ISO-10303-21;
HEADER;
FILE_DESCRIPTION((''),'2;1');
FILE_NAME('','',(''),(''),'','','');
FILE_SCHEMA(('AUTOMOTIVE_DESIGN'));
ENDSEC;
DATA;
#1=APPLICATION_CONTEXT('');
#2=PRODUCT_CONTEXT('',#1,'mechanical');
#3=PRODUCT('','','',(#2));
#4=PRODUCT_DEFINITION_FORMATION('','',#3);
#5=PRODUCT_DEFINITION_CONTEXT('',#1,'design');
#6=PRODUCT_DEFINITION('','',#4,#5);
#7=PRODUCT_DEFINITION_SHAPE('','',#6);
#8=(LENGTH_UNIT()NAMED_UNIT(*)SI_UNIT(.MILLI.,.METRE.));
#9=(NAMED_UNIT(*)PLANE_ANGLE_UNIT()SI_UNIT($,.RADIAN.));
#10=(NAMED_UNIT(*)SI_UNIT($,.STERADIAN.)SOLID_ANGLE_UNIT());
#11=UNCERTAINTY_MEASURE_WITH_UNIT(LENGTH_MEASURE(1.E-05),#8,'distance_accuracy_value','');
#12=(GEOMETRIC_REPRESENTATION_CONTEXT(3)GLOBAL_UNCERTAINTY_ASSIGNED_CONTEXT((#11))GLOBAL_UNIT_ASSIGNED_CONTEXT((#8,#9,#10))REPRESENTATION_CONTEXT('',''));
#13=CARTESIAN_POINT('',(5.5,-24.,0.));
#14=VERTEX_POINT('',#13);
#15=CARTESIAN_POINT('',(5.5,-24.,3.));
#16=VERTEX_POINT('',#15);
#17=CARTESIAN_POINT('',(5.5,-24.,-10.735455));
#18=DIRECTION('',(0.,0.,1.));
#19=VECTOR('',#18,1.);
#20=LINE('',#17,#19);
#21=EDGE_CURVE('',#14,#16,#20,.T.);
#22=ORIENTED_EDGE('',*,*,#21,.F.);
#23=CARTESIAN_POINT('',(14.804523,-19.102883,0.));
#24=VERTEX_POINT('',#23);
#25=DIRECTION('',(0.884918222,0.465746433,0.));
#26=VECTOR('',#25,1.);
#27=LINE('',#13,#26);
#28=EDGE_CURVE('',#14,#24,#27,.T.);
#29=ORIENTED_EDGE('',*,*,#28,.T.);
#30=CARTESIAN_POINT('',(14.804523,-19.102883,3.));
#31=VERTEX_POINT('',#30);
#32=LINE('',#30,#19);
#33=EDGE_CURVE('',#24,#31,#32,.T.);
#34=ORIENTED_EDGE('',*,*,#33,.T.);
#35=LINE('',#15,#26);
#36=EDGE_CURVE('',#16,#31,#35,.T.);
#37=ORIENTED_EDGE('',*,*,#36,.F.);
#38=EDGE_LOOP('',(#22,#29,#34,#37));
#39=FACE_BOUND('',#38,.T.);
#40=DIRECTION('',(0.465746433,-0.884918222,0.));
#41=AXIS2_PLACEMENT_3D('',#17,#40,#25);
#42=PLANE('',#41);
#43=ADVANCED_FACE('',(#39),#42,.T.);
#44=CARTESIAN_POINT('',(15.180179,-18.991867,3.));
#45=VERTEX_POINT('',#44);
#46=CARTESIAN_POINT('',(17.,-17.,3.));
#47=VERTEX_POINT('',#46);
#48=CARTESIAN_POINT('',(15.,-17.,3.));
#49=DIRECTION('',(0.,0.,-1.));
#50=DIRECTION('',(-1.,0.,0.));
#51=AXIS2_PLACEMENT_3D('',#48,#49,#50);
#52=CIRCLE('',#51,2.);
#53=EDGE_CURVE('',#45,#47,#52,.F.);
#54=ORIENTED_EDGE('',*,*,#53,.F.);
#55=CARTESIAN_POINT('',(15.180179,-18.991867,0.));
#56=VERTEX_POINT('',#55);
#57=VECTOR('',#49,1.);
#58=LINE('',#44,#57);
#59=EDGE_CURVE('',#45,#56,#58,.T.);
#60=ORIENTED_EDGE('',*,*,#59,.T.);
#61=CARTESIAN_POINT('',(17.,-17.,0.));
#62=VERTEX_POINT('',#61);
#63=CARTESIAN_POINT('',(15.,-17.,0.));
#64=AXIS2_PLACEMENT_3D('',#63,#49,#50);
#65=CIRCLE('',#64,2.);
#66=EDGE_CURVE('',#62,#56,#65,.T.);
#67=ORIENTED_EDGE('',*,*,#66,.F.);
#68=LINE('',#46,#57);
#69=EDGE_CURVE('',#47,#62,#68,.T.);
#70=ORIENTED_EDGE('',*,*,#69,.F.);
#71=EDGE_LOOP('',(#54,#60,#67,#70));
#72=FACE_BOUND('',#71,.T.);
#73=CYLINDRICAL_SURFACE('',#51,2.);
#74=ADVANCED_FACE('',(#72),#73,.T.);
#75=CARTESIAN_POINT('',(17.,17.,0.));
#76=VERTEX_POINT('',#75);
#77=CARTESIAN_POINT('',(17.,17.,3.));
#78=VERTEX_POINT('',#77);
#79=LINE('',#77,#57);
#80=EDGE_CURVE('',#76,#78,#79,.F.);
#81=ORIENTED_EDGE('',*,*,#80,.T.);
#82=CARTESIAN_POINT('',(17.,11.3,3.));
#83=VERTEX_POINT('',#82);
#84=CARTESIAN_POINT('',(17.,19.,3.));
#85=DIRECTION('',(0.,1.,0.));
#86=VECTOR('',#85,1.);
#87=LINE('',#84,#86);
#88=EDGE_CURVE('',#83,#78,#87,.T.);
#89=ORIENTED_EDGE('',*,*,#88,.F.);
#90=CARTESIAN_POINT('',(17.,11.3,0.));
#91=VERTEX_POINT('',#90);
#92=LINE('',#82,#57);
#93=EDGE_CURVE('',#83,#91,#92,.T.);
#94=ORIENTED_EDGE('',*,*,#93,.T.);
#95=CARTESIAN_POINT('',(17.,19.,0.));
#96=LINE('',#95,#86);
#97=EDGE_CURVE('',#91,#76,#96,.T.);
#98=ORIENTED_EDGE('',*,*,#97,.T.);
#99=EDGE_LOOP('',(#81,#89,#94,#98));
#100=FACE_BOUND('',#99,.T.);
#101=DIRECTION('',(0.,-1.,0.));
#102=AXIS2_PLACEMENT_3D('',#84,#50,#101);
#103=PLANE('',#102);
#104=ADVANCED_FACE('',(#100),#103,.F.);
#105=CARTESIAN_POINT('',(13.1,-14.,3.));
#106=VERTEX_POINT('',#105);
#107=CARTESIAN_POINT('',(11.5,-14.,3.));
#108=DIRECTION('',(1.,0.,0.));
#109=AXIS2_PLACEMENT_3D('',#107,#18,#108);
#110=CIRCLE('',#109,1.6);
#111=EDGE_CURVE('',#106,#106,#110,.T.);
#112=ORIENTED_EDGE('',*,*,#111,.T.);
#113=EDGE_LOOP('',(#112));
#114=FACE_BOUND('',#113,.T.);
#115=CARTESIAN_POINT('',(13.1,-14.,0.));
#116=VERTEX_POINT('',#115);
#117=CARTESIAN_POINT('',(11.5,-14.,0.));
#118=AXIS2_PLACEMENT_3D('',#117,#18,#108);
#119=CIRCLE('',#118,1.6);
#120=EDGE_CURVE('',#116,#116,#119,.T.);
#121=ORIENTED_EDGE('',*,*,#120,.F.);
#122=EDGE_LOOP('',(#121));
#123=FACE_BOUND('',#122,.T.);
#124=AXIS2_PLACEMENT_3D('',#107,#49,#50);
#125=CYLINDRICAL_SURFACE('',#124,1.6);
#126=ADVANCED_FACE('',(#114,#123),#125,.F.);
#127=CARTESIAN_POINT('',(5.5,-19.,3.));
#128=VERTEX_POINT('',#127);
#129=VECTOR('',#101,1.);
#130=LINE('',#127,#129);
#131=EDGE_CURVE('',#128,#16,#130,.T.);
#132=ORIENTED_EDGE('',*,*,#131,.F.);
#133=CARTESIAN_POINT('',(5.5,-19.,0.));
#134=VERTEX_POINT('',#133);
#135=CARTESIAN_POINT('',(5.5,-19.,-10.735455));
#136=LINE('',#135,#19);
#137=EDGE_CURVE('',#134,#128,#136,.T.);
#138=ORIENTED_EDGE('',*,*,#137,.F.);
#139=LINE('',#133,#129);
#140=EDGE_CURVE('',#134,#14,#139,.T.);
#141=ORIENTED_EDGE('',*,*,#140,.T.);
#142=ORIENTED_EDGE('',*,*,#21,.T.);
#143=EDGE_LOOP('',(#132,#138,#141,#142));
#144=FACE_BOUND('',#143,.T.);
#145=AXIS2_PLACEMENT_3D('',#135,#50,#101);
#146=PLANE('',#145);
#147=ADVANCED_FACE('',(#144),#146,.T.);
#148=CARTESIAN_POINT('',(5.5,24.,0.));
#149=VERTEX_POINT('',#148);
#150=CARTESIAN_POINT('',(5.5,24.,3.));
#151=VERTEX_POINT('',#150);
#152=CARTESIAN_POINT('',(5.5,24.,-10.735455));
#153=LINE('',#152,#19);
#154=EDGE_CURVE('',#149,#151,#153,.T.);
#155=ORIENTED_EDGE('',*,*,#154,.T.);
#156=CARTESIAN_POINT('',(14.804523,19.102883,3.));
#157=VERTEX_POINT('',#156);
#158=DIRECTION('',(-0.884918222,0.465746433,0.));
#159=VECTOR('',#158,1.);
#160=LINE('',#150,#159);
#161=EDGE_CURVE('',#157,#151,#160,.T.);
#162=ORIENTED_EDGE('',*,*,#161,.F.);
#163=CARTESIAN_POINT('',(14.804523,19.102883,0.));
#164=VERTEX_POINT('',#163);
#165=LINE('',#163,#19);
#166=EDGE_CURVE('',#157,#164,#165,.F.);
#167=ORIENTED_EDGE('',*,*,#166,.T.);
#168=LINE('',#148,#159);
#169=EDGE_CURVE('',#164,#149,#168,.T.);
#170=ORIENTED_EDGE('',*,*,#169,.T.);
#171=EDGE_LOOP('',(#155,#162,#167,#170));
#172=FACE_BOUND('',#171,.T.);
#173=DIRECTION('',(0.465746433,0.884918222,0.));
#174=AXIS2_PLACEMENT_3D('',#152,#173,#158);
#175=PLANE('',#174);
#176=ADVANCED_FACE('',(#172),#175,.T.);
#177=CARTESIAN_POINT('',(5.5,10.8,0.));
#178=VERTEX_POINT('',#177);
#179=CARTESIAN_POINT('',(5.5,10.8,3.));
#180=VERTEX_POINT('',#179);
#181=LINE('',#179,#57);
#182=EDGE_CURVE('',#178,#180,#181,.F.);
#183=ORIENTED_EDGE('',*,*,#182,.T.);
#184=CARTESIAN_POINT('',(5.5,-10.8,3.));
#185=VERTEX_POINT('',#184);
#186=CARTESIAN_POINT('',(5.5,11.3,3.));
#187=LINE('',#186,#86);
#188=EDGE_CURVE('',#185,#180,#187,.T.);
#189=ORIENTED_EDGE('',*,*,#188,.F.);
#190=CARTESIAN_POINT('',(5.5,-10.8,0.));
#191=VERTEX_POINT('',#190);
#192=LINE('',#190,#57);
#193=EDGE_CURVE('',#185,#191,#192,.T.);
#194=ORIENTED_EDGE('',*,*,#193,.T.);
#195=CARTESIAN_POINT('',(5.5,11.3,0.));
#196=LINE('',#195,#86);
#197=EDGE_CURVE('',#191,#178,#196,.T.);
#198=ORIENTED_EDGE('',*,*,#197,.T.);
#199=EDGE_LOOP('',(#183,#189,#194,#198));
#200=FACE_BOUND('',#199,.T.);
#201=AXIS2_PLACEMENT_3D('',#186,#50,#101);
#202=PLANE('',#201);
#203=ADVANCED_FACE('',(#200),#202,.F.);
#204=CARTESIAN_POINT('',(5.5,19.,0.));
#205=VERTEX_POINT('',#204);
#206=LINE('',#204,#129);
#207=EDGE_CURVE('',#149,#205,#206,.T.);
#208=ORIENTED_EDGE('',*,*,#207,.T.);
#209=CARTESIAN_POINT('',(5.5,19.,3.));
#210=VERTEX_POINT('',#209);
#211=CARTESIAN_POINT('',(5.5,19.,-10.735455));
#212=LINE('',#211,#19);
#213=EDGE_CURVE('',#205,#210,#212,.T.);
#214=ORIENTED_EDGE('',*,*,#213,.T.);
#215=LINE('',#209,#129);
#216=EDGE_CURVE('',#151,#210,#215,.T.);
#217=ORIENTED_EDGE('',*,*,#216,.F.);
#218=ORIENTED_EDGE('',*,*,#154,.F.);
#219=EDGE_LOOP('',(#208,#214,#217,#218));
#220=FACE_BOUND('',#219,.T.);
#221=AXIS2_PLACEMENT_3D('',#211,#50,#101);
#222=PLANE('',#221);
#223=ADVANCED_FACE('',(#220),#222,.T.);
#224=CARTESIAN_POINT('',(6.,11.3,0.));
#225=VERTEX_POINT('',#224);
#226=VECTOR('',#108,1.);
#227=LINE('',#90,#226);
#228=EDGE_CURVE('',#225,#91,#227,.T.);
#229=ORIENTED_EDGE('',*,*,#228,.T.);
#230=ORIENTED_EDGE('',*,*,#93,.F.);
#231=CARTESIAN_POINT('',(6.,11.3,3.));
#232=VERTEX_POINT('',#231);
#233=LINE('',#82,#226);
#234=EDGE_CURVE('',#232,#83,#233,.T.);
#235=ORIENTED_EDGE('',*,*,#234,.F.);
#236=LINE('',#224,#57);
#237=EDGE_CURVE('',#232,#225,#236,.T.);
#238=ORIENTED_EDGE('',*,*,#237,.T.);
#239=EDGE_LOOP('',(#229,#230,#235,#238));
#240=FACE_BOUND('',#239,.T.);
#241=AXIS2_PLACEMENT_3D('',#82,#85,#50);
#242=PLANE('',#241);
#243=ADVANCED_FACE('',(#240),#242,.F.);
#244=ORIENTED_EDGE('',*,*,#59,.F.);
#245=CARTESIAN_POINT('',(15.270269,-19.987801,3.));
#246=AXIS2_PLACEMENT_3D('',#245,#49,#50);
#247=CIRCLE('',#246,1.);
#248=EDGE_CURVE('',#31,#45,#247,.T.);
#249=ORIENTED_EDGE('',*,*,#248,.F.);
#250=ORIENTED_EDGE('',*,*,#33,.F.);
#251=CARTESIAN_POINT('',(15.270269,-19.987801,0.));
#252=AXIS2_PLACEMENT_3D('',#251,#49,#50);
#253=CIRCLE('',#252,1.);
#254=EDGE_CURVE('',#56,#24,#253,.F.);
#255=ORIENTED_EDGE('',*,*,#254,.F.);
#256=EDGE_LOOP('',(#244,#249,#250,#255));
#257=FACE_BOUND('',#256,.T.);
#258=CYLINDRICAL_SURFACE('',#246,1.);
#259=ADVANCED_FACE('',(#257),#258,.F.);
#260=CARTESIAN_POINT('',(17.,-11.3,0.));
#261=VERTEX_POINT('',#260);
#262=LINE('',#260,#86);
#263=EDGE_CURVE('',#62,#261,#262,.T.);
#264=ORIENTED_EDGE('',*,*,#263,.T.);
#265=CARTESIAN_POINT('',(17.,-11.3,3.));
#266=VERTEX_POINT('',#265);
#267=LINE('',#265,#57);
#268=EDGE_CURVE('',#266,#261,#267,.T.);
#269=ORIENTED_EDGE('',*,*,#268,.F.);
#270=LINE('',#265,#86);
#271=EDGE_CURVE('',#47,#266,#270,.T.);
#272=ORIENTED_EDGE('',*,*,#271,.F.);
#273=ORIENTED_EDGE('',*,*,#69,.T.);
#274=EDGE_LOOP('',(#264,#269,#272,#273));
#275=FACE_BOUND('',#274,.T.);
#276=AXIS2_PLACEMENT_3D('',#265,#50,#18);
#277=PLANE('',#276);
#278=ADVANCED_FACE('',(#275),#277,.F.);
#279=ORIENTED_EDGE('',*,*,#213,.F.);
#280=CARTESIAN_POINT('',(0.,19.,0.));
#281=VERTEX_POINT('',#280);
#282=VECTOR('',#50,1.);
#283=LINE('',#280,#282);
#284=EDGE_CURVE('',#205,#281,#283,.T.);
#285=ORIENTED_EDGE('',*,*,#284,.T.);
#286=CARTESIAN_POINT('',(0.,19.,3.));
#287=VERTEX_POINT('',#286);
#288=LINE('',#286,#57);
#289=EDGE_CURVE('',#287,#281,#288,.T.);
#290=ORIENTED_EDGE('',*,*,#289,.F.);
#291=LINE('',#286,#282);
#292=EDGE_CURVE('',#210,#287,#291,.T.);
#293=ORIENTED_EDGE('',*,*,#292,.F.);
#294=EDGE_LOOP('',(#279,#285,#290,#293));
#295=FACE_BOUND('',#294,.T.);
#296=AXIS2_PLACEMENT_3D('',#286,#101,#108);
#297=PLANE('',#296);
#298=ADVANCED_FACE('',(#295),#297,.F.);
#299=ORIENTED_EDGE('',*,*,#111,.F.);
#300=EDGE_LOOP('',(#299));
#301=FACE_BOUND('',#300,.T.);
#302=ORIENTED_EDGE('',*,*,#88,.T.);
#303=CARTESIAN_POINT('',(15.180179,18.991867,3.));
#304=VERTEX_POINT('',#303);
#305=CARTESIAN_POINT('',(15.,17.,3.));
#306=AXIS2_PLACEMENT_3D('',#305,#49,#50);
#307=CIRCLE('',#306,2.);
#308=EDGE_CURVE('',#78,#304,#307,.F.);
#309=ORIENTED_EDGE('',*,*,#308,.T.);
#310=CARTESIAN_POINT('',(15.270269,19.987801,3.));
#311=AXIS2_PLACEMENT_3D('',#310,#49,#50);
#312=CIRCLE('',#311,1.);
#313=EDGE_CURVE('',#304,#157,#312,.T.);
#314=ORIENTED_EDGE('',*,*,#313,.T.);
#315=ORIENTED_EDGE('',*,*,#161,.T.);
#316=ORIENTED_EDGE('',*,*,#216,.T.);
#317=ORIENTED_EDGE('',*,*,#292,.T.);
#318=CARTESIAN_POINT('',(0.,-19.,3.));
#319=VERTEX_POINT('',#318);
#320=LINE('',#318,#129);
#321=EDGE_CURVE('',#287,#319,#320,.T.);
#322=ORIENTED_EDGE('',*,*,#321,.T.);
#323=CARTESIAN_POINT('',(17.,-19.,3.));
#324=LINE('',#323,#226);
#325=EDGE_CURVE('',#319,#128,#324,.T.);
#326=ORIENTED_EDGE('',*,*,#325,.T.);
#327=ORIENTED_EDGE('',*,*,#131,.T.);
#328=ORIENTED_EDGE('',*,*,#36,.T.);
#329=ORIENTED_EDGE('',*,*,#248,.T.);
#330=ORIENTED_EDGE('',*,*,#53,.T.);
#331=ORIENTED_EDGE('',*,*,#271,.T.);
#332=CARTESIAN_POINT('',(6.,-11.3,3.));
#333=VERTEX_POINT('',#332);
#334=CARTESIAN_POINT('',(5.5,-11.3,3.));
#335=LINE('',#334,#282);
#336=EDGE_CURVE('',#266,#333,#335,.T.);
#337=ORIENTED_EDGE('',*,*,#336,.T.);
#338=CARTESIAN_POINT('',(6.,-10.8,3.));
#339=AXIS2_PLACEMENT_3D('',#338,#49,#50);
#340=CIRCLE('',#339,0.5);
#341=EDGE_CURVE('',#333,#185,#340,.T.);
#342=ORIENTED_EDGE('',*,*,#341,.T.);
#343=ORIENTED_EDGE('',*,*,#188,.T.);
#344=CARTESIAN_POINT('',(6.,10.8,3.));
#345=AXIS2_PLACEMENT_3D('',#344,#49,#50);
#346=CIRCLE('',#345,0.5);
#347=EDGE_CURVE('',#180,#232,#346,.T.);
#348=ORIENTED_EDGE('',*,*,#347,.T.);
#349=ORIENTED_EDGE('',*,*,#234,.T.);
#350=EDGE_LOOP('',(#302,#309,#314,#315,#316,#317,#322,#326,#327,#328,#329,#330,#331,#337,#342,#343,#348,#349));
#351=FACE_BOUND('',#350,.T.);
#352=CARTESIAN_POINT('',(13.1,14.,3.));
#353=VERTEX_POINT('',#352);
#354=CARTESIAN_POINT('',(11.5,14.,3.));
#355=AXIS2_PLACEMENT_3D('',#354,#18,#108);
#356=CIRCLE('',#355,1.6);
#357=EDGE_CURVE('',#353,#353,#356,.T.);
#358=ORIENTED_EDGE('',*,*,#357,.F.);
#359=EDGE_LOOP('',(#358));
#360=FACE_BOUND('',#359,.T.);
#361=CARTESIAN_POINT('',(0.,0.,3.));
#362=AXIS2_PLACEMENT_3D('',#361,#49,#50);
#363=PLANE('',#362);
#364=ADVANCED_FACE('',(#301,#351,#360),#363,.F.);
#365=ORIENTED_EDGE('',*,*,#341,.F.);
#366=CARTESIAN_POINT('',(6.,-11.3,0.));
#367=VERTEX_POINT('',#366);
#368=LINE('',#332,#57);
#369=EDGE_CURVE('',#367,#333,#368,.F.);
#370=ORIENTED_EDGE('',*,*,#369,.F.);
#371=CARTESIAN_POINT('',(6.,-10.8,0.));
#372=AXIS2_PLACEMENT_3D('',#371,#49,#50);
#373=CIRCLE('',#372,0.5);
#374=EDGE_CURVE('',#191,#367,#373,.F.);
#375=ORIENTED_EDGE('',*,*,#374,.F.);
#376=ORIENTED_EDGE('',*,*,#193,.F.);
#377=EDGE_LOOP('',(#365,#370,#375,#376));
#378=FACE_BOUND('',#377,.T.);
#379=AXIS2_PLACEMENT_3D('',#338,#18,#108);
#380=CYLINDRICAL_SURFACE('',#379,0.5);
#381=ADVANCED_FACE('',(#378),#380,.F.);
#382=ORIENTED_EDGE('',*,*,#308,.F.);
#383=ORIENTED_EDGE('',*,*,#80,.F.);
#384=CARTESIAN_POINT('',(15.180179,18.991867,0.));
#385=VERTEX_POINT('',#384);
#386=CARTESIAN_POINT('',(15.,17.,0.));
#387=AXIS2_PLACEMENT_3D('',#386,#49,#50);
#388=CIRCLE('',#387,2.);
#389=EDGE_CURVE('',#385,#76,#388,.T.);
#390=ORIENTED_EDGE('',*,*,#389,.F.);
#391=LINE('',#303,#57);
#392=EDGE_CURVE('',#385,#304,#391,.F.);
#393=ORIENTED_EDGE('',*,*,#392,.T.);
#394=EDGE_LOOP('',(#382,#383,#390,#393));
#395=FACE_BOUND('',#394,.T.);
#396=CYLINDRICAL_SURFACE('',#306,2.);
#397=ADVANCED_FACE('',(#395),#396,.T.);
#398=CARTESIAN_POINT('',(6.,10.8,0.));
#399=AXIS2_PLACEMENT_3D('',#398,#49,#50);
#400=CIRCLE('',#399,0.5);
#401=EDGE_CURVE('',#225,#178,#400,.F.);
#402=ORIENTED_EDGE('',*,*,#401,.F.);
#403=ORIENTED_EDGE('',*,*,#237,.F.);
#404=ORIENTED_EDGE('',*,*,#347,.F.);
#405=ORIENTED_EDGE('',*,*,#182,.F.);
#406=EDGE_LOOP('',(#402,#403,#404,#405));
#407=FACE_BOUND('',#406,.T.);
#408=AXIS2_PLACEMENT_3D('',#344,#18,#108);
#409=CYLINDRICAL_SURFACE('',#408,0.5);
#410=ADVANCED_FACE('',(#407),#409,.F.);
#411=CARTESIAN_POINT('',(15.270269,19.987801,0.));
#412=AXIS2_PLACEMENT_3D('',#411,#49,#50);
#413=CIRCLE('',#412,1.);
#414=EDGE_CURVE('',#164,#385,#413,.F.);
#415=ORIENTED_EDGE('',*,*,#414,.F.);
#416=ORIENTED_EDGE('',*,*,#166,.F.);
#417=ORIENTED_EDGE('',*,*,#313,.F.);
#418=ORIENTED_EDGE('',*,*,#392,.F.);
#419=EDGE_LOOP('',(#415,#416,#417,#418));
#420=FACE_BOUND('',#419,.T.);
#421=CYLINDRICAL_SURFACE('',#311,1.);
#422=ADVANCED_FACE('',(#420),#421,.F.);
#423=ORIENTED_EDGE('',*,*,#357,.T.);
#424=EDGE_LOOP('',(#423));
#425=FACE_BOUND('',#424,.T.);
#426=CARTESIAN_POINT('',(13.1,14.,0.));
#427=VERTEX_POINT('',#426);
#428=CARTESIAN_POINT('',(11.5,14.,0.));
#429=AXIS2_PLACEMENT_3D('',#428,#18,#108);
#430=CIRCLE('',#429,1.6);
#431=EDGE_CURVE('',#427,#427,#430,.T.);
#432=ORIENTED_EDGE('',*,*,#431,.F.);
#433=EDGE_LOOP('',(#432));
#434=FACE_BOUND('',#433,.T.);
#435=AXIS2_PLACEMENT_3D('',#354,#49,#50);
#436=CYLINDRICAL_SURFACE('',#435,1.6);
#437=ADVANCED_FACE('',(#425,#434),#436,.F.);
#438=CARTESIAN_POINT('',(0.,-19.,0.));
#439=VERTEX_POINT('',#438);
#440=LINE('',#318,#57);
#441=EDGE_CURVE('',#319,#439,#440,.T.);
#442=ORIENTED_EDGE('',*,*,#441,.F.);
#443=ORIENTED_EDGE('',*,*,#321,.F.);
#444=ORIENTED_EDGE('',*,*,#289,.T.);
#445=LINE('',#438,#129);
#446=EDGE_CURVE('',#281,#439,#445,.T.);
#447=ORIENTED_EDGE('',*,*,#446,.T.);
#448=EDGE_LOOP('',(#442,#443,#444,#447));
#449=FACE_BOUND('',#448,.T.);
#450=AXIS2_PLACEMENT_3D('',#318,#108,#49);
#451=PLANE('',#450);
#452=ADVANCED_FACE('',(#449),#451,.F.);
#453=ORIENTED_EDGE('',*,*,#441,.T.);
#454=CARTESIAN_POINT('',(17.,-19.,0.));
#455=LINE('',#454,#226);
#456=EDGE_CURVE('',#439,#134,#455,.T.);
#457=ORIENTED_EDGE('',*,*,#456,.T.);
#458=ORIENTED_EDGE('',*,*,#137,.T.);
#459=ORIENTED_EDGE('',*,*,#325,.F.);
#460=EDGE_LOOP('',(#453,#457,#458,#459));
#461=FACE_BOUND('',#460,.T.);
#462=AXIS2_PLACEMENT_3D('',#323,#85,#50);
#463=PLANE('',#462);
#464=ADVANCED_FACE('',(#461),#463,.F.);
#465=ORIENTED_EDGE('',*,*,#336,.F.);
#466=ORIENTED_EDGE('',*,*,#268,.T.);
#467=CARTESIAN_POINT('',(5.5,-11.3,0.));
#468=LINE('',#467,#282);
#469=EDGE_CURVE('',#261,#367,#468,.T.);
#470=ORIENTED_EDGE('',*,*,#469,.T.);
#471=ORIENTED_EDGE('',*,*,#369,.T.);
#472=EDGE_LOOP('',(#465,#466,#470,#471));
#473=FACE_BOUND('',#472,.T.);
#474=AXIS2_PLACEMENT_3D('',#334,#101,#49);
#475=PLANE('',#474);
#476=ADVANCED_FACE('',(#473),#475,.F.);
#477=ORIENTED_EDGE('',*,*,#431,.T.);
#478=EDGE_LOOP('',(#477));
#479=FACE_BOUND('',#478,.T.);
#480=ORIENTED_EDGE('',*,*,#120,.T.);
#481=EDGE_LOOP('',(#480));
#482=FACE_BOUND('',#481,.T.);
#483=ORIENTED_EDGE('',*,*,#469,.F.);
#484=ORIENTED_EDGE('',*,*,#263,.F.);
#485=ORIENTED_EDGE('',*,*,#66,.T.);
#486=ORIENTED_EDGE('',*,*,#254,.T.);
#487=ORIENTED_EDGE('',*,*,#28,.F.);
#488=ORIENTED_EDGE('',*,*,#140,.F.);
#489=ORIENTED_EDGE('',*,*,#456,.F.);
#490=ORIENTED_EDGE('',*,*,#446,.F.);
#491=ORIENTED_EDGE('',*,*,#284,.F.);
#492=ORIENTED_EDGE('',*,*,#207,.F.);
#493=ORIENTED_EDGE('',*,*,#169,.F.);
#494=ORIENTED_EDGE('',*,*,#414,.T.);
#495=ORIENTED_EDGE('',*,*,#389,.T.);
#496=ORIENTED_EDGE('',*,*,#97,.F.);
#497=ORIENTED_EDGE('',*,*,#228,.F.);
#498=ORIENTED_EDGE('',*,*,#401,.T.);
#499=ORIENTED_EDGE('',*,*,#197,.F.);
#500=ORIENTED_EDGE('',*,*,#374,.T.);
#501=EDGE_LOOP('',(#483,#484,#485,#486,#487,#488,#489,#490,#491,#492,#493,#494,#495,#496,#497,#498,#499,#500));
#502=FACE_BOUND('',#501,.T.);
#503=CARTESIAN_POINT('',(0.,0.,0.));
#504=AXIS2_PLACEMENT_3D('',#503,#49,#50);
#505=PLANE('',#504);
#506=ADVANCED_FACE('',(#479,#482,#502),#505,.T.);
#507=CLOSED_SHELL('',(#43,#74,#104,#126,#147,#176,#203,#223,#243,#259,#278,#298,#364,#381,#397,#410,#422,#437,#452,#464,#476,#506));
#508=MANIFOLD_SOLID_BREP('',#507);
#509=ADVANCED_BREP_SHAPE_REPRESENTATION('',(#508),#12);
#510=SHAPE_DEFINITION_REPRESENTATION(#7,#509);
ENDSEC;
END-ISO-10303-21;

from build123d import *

# Parameters (mm, degrees)
SKETCH_1_R      = 1.6
EXTRUDE_1_DEPTH = 3
FILLET_1_R      = 0.5
FILLET_2_R      = 2
EXTRUDE_2_DEPTH = 3
FILLET_3_R      = 1


with BuildPart() as part:
    # ｽｹｯﾁ1 → ﾎﾞｽ - 押し出し1 (new body)
    with BuildSketch(Plane.XY):
        Polygon((0, -19), (0, 19), (17, 19), (17, 11.3), (5.5, 11.3), (5.5, -11.3), (17, -11.3), (17, -19), align=None)
        with Locations((11.5, 14)):
            Circle(SKETCH_1_R, mode=Mode.SUBTRACT)
        with Locations((11.5, -14)):
            Circle(SKETCH_1_R, mode=Mode.SUBTRACT)
    extrude(amount=EXTRUDE_1_DEPTH)

    # ﾌｨﾚｯﾄ1
    fillet_1_edges = [part.edges().sort_by_distance(p)[0] for p in [
        (5.5, 11.3, 1.5),
        (5.5, -11.3, 1.5),
    ]]
    fillet(fillet_1_edges, radius=FILLET_1_R)

    # ﾌｨﾚｯﾄ2
    fillet_2_edges = [part.edges().sort_by_distance(p)[0] for p in [
        (17, 19, 1.5),
        (17, -19, 1.5),
    ]]
    fillet(fillet_2_edges, radius=FILLET_2_R)

    # ｽｹｯﾁ2 → ﾎﾞｽ - 押し出し2 (add)
    with BuildSketch(Plane.XY.offset(3)):
        Polygon((5.5, 19), (5.5, 24), (15, 19), align=None)
        Polygon((5.5, -19), (5.5, -24), (15, -19), align=None)
    extrude(amount=-EXTRUDE_2_DEPTH)

    # ﾌｨﾚｯﾄ3
    fillet_3_edges = [part.edges().sort_by_distance(p)[0] for p in [
        (15, 19, 1.5),
        (15, -19, 1.5),
    ]]
    fillet(fillet_3_edges, radius=FILLET_3_R)


solid = part.part
